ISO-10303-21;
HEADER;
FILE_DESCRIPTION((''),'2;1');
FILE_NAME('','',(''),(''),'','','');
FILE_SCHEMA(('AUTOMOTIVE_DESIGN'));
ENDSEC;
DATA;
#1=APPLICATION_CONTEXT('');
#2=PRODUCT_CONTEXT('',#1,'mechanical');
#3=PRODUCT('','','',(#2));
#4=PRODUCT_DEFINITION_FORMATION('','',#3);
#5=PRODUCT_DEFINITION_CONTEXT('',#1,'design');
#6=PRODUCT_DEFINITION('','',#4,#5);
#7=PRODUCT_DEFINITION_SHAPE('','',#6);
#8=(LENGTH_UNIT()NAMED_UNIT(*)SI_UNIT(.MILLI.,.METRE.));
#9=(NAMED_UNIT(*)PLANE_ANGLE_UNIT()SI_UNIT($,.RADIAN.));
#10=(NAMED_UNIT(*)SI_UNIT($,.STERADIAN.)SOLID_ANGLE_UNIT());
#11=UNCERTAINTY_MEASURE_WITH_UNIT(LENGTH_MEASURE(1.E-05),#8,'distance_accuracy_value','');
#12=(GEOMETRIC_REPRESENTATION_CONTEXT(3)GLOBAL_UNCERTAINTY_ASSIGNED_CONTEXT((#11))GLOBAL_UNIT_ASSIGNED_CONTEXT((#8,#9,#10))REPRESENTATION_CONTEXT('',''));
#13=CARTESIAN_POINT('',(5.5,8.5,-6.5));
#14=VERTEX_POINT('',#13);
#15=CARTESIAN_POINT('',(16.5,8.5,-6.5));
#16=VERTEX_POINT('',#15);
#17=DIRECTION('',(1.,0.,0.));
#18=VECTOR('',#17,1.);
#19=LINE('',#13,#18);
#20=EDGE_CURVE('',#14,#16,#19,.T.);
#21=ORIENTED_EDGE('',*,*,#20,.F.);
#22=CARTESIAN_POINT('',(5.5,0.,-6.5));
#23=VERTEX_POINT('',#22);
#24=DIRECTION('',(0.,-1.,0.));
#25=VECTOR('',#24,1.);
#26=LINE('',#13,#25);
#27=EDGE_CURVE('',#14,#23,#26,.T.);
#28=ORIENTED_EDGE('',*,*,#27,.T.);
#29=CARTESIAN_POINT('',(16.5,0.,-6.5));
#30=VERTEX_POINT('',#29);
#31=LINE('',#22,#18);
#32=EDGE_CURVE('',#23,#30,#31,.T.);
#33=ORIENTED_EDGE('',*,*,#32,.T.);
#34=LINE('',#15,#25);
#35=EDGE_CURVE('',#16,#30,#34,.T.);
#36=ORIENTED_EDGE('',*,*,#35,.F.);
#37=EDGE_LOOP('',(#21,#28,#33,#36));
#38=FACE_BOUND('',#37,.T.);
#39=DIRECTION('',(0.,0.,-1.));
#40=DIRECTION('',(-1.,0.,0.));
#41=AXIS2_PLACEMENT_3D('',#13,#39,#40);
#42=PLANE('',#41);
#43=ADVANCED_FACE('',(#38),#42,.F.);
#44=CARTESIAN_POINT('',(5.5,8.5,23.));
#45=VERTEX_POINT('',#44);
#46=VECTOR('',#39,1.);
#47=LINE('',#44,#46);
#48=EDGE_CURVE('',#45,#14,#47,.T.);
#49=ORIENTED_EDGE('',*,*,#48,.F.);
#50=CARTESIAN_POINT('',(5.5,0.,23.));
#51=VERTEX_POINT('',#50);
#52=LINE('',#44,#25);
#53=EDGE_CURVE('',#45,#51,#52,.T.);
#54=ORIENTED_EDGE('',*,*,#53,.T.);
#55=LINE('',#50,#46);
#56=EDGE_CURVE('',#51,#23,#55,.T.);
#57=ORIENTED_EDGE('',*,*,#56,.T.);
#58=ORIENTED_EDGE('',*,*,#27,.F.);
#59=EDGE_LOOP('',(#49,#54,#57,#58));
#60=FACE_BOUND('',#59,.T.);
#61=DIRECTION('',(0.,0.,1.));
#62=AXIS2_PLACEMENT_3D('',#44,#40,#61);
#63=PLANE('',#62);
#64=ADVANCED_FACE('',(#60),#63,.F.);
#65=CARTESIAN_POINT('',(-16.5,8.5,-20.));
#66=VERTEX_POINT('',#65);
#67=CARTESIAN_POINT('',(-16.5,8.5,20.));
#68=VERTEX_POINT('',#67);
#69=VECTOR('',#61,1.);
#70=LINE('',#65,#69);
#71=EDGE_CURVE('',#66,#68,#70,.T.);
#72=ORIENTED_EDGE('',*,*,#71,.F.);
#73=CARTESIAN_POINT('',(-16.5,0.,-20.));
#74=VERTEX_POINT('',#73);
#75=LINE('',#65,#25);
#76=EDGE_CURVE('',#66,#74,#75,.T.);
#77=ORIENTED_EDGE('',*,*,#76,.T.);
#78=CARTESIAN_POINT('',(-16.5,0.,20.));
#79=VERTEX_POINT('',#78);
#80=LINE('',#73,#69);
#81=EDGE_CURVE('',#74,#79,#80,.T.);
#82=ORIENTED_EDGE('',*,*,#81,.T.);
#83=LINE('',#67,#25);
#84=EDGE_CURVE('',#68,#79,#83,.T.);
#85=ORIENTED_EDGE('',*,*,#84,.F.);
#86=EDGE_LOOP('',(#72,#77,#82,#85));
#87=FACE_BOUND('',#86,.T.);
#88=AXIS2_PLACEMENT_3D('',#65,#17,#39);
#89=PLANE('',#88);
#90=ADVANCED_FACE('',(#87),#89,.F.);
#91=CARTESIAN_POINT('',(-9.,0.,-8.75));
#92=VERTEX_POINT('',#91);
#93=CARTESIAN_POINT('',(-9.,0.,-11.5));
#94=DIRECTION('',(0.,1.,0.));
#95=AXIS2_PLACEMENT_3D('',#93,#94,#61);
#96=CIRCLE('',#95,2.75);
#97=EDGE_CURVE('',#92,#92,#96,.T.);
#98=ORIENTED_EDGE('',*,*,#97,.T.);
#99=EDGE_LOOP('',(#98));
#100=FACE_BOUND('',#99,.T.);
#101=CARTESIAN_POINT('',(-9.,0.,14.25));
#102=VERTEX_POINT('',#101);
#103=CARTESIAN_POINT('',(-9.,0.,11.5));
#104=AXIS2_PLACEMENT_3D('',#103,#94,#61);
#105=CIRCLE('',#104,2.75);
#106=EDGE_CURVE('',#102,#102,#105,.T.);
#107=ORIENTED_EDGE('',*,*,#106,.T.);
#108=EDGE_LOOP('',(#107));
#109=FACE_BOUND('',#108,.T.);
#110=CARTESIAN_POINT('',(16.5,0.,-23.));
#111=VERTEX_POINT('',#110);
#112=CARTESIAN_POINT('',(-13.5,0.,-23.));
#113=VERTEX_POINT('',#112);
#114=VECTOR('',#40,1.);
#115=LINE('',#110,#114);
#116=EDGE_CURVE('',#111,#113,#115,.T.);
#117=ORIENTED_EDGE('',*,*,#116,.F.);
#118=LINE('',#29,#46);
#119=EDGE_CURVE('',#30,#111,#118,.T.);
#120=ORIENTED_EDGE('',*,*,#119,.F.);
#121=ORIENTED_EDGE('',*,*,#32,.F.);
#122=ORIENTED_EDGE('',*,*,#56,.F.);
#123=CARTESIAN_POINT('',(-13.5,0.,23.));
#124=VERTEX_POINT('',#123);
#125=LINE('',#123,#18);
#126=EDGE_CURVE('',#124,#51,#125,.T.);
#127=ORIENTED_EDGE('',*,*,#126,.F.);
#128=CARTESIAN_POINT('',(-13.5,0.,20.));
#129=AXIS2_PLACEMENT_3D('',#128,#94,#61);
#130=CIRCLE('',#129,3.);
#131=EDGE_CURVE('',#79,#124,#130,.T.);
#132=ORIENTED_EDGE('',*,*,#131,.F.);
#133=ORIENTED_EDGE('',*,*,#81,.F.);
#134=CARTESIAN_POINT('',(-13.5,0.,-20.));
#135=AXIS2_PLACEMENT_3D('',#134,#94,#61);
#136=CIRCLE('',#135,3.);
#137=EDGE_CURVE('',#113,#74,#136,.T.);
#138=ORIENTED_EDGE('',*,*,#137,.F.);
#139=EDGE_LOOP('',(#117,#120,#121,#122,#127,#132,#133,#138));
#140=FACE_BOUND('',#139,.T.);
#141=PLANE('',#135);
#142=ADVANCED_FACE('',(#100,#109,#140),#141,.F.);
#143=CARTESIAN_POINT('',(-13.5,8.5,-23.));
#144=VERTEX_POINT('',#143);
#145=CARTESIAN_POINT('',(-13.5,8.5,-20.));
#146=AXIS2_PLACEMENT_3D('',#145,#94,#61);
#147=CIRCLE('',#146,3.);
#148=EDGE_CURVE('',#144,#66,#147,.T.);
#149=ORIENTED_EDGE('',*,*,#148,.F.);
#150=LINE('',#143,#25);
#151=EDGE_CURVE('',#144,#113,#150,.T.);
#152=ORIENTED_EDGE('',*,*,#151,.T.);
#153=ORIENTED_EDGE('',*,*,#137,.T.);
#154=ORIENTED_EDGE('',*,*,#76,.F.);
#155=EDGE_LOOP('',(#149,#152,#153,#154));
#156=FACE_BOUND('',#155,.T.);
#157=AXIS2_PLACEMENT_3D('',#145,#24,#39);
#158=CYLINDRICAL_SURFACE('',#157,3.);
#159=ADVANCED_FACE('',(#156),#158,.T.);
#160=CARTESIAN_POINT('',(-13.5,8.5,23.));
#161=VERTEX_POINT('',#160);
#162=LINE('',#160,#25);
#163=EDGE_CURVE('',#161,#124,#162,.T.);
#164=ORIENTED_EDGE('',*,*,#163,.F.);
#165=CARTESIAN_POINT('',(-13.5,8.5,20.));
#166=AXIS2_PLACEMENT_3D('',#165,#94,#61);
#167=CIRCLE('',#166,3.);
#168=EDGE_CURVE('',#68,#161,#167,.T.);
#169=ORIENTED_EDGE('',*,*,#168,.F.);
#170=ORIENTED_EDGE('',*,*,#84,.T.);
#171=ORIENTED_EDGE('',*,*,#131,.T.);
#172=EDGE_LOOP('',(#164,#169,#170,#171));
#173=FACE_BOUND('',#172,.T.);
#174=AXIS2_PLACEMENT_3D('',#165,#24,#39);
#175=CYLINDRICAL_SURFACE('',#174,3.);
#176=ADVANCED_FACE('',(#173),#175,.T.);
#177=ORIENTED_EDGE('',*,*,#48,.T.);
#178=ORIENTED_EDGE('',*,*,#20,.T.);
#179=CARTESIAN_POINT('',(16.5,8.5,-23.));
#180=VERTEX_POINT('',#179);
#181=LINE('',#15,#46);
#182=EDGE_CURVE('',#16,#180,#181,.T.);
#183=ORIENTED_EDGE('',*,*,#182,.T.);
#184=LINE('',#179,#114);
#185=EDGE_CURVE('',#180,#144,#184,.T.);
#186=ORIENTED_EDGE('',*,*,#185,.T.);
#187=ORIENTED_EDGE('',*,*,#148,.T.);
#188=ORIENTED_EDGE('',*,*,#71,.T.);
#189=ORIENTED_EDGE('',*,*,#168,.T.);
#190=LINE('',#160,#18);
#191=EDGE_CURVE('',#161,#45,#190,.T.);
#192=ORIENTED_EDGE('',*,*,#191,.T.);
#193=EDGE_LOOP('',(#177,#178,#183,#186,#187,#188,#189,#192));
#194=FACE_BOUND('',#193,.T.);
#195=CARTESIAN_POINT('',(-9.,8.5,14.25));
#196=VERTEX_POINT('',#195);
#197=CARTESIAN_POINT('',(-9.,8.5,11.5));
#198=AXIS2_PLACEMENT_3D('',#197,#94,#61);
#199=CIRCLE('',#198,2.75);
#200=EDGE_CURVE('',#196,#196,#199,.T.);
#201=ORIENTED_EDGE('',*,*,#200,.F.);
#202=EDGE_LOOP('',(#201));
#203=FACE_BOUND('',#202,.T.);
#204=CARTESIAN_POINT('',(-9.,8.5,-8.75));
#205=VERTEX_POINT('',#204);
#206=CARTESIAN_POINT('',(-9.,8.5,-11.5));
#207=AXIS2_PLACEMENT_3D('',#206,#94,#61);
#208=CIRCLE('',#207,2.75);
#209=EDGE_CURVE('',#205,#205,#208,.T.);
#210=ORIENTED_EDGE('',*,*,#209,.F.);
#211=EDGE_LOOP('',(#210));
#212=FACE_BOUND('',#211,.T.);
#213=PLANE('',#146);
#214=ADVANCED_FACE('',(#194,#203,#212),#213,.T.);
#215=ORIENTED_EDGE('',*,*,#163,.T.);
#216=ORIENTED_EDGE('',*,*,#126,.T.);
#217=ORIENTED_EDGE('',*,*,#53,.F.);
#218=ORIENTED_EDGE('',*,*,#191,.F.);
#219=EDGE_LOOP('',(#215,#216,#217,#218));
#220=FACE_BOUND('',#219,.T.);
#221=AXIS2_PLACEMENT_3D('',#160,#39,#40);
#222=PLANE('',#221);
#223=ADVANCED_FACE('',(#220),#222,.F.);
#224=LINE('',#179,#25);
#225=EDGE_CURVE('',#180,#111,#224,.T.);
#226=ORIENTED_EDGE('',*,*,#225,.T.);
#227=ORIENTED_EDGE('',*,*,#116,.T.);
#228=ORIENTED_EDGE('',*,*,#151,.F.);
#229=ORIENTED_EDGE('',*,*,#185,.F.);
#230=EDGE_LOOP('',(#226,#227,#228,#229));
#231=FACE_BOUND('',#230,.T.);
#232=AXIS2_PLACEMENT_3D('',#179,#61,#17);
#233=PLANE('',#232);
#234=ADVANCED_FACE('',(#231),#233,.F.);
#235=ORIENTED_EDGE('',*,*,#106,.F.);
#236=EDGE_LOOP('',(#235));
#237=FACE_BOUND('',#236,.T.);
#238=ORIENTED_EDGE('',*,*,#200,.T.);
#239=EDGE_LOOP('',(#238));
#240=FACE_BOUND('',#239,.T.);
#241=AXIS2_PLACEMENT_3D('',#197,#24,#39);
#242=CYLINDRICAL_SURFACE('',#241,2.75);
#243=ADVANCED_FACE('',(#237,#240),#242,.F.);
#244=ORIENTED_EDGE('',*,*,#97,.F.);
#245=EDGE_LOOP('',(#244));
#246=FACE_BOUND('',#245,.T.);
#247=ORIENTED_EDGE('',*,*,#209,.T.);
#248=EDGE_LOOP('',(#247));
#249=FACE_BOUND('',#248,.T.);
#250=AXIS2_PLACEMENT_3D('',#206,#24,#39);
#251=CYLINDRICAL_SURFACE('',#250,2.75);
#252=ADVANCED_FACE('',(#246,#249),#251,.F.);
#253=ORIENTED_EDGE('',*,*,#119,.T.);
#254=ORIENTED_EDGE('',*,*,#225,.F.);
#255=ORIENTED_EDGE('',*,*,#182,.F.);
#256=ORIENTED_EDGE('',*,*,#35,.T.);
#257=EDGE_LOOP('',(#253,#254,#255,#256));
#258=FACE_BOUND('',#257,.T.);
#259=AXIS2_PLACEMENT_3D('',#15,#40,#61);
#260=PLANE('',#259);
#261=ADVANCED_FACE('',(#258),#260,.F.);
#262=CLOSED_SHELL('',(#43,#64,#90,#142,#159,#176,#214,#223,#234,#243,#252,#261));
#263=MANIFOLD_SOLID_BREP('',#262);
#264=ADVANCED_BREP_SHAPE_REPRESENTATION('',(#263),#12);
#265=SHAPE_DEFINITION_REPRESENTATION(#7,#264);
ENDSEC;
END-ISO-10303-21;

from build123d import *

# Parameters (mm, degrees)
ESBO_O3_R                = 2.75
RESSALTO_EXTRUS_O1_DEPTH = 8.5


with BuildPart() as part:
    # Esboço3 → Ressalto-extrusão1 (new body)
    with BuildSketch(Plane(origin=(0, 0, 0), x_dir=(1, 0, 0), z_dir=(0, 1, 0))):
        with BuildLine():
            Line((-16.5, 20), (-16.5, -20))
            ThreePointArc((-16.5, -20), (-15.621320344, -22.121320344), (-13.5, -23))
            Line((-13.5, -23), (5.5, -23))
            Line((5.5, -23), (5.5, 6.5))
            Line((5.5, 6.5), (16.5, 6.5))
            Line((16.5, 6.5), (16.5, 23))
            Line((16.5, 23), (-13.5, 23))
            ThreePointArc((-13.5, 23), (-15.621320344, 22.121320344), (-16.5, 20))
        make_face()
        with Locations((-9, 11.5)):
            Circle(ESBO_O3_R, mode=Mode.SUBTRACT)
        with Locations((-9, -11.5)):
            Circle(ESBO_O3_R, mode=Mode.SUBTRACT)
    extrude(amount=RESSALTO_EXTRUS_O1_DEPTH)


solid = part.part
